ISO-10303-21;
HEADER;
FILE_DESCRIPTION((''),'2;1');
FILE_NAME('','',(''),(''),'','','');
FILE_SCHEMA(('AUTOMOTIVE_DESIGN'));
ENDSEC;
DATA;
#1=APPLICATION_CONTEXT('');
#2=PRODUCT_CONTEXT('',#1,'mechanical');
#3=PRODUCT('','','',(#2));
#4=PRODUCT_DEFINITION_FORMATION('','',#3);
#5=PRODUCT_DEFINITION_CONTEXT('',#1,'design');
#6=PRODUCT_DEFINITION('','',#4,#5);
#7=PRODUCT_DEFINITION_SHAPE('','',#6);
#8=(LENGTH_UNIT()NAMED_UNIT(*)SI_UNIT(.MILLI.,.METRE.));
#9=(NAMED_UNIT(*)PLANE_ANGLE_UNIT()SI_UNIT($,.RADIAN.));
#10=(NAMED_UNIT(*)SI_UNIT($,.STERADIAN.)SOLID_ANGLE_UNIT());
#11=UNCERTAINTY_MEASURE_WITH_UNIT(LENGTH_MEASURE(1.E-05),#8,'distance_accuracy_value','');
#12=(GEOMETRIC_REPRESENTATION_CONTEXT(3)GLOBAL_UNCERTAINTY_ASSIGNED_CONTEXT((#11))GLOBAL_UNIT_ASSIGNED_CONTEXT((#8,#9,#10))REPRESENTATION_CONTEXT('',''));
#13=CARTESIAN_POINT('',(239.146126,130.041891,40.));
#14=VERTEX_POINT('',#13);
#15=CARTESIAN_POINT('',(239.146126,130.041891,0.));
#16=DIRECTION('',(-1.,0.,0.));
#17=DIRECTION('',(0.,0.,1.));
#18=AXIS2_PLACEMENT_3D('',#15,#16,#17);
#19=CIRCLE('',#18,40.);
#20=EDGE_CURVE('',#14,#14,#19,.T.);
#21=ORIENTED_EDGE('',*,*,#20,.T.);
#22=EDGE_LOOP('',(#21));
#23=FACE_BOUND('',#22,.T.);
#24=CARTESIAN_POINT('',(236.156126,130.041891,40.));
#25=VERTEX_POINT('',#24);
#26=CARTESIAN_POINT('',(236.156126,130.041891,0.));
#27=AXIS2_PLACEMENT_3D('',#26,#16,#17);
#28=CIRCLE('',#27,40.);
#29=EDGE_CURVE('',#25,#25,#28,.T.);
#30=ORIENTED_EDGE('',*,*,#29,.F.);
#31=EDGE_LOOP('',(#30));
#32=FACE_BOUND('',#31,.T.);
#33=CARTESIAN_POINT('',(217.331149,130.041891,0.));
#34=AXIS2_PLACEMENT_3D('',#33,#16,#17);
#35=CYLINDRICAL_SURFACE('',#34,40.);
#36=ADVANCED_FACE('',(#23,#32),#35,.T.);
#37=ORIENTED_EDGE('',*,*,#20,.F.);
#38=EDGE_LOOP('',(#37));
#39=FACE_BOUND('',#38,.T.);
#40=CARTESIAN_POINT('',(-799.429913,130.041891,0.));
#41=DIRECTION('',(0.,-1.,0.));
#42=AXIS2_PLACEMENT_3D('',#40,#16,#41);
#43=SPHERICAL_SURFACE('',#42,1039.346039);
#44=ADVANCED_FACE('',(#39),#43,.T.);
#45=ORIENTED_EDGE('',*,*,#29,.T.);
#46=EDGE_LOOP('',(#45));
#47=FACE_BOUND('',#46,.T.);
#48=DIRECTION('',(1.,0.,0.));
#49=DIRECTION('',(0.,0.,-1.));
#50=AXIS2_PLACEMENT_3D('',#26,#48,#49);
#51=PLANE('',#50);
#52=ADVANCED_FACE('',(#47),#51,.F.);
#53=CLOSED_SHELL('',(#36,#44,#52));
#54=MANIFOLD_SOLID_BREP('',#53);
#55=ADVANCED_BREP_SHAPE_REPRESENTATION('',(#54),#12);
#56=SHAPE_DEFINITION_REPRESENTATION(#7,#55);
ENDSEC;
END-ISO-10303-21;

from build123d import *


with BuildPart() as part:
    # 草图1 → 旋转1 (revolve)
    with BuildSketch(Plane.XY, mode=Mode.PRIVATE) as revolve_1_sk:
        with BuildLine():
            Line((236.156126338, 130.04189076), (236.156126338, 170.04189076))
            Line((236.156126338, 170.04189076), (239.146126338, 170.04189076))
            ThreePointArc((239.146126338, 170.04189076), (239.723608508, 150.045596042), (239.916126338, 130.04189076))
            Line((239.916126338, 130.04189076), (236.156126338, 130.04189076))
        make_face()
    revolve(revolve_1_sk.sketch.rotate(Axis((217.331148661, 130.04189076, 0), (1, 0, 0)), 180), axis=Axis((217.331148661, 130.04189076, 0), (1, 0, 0)))  # turned: the seam where the file's is


solid = part.part
